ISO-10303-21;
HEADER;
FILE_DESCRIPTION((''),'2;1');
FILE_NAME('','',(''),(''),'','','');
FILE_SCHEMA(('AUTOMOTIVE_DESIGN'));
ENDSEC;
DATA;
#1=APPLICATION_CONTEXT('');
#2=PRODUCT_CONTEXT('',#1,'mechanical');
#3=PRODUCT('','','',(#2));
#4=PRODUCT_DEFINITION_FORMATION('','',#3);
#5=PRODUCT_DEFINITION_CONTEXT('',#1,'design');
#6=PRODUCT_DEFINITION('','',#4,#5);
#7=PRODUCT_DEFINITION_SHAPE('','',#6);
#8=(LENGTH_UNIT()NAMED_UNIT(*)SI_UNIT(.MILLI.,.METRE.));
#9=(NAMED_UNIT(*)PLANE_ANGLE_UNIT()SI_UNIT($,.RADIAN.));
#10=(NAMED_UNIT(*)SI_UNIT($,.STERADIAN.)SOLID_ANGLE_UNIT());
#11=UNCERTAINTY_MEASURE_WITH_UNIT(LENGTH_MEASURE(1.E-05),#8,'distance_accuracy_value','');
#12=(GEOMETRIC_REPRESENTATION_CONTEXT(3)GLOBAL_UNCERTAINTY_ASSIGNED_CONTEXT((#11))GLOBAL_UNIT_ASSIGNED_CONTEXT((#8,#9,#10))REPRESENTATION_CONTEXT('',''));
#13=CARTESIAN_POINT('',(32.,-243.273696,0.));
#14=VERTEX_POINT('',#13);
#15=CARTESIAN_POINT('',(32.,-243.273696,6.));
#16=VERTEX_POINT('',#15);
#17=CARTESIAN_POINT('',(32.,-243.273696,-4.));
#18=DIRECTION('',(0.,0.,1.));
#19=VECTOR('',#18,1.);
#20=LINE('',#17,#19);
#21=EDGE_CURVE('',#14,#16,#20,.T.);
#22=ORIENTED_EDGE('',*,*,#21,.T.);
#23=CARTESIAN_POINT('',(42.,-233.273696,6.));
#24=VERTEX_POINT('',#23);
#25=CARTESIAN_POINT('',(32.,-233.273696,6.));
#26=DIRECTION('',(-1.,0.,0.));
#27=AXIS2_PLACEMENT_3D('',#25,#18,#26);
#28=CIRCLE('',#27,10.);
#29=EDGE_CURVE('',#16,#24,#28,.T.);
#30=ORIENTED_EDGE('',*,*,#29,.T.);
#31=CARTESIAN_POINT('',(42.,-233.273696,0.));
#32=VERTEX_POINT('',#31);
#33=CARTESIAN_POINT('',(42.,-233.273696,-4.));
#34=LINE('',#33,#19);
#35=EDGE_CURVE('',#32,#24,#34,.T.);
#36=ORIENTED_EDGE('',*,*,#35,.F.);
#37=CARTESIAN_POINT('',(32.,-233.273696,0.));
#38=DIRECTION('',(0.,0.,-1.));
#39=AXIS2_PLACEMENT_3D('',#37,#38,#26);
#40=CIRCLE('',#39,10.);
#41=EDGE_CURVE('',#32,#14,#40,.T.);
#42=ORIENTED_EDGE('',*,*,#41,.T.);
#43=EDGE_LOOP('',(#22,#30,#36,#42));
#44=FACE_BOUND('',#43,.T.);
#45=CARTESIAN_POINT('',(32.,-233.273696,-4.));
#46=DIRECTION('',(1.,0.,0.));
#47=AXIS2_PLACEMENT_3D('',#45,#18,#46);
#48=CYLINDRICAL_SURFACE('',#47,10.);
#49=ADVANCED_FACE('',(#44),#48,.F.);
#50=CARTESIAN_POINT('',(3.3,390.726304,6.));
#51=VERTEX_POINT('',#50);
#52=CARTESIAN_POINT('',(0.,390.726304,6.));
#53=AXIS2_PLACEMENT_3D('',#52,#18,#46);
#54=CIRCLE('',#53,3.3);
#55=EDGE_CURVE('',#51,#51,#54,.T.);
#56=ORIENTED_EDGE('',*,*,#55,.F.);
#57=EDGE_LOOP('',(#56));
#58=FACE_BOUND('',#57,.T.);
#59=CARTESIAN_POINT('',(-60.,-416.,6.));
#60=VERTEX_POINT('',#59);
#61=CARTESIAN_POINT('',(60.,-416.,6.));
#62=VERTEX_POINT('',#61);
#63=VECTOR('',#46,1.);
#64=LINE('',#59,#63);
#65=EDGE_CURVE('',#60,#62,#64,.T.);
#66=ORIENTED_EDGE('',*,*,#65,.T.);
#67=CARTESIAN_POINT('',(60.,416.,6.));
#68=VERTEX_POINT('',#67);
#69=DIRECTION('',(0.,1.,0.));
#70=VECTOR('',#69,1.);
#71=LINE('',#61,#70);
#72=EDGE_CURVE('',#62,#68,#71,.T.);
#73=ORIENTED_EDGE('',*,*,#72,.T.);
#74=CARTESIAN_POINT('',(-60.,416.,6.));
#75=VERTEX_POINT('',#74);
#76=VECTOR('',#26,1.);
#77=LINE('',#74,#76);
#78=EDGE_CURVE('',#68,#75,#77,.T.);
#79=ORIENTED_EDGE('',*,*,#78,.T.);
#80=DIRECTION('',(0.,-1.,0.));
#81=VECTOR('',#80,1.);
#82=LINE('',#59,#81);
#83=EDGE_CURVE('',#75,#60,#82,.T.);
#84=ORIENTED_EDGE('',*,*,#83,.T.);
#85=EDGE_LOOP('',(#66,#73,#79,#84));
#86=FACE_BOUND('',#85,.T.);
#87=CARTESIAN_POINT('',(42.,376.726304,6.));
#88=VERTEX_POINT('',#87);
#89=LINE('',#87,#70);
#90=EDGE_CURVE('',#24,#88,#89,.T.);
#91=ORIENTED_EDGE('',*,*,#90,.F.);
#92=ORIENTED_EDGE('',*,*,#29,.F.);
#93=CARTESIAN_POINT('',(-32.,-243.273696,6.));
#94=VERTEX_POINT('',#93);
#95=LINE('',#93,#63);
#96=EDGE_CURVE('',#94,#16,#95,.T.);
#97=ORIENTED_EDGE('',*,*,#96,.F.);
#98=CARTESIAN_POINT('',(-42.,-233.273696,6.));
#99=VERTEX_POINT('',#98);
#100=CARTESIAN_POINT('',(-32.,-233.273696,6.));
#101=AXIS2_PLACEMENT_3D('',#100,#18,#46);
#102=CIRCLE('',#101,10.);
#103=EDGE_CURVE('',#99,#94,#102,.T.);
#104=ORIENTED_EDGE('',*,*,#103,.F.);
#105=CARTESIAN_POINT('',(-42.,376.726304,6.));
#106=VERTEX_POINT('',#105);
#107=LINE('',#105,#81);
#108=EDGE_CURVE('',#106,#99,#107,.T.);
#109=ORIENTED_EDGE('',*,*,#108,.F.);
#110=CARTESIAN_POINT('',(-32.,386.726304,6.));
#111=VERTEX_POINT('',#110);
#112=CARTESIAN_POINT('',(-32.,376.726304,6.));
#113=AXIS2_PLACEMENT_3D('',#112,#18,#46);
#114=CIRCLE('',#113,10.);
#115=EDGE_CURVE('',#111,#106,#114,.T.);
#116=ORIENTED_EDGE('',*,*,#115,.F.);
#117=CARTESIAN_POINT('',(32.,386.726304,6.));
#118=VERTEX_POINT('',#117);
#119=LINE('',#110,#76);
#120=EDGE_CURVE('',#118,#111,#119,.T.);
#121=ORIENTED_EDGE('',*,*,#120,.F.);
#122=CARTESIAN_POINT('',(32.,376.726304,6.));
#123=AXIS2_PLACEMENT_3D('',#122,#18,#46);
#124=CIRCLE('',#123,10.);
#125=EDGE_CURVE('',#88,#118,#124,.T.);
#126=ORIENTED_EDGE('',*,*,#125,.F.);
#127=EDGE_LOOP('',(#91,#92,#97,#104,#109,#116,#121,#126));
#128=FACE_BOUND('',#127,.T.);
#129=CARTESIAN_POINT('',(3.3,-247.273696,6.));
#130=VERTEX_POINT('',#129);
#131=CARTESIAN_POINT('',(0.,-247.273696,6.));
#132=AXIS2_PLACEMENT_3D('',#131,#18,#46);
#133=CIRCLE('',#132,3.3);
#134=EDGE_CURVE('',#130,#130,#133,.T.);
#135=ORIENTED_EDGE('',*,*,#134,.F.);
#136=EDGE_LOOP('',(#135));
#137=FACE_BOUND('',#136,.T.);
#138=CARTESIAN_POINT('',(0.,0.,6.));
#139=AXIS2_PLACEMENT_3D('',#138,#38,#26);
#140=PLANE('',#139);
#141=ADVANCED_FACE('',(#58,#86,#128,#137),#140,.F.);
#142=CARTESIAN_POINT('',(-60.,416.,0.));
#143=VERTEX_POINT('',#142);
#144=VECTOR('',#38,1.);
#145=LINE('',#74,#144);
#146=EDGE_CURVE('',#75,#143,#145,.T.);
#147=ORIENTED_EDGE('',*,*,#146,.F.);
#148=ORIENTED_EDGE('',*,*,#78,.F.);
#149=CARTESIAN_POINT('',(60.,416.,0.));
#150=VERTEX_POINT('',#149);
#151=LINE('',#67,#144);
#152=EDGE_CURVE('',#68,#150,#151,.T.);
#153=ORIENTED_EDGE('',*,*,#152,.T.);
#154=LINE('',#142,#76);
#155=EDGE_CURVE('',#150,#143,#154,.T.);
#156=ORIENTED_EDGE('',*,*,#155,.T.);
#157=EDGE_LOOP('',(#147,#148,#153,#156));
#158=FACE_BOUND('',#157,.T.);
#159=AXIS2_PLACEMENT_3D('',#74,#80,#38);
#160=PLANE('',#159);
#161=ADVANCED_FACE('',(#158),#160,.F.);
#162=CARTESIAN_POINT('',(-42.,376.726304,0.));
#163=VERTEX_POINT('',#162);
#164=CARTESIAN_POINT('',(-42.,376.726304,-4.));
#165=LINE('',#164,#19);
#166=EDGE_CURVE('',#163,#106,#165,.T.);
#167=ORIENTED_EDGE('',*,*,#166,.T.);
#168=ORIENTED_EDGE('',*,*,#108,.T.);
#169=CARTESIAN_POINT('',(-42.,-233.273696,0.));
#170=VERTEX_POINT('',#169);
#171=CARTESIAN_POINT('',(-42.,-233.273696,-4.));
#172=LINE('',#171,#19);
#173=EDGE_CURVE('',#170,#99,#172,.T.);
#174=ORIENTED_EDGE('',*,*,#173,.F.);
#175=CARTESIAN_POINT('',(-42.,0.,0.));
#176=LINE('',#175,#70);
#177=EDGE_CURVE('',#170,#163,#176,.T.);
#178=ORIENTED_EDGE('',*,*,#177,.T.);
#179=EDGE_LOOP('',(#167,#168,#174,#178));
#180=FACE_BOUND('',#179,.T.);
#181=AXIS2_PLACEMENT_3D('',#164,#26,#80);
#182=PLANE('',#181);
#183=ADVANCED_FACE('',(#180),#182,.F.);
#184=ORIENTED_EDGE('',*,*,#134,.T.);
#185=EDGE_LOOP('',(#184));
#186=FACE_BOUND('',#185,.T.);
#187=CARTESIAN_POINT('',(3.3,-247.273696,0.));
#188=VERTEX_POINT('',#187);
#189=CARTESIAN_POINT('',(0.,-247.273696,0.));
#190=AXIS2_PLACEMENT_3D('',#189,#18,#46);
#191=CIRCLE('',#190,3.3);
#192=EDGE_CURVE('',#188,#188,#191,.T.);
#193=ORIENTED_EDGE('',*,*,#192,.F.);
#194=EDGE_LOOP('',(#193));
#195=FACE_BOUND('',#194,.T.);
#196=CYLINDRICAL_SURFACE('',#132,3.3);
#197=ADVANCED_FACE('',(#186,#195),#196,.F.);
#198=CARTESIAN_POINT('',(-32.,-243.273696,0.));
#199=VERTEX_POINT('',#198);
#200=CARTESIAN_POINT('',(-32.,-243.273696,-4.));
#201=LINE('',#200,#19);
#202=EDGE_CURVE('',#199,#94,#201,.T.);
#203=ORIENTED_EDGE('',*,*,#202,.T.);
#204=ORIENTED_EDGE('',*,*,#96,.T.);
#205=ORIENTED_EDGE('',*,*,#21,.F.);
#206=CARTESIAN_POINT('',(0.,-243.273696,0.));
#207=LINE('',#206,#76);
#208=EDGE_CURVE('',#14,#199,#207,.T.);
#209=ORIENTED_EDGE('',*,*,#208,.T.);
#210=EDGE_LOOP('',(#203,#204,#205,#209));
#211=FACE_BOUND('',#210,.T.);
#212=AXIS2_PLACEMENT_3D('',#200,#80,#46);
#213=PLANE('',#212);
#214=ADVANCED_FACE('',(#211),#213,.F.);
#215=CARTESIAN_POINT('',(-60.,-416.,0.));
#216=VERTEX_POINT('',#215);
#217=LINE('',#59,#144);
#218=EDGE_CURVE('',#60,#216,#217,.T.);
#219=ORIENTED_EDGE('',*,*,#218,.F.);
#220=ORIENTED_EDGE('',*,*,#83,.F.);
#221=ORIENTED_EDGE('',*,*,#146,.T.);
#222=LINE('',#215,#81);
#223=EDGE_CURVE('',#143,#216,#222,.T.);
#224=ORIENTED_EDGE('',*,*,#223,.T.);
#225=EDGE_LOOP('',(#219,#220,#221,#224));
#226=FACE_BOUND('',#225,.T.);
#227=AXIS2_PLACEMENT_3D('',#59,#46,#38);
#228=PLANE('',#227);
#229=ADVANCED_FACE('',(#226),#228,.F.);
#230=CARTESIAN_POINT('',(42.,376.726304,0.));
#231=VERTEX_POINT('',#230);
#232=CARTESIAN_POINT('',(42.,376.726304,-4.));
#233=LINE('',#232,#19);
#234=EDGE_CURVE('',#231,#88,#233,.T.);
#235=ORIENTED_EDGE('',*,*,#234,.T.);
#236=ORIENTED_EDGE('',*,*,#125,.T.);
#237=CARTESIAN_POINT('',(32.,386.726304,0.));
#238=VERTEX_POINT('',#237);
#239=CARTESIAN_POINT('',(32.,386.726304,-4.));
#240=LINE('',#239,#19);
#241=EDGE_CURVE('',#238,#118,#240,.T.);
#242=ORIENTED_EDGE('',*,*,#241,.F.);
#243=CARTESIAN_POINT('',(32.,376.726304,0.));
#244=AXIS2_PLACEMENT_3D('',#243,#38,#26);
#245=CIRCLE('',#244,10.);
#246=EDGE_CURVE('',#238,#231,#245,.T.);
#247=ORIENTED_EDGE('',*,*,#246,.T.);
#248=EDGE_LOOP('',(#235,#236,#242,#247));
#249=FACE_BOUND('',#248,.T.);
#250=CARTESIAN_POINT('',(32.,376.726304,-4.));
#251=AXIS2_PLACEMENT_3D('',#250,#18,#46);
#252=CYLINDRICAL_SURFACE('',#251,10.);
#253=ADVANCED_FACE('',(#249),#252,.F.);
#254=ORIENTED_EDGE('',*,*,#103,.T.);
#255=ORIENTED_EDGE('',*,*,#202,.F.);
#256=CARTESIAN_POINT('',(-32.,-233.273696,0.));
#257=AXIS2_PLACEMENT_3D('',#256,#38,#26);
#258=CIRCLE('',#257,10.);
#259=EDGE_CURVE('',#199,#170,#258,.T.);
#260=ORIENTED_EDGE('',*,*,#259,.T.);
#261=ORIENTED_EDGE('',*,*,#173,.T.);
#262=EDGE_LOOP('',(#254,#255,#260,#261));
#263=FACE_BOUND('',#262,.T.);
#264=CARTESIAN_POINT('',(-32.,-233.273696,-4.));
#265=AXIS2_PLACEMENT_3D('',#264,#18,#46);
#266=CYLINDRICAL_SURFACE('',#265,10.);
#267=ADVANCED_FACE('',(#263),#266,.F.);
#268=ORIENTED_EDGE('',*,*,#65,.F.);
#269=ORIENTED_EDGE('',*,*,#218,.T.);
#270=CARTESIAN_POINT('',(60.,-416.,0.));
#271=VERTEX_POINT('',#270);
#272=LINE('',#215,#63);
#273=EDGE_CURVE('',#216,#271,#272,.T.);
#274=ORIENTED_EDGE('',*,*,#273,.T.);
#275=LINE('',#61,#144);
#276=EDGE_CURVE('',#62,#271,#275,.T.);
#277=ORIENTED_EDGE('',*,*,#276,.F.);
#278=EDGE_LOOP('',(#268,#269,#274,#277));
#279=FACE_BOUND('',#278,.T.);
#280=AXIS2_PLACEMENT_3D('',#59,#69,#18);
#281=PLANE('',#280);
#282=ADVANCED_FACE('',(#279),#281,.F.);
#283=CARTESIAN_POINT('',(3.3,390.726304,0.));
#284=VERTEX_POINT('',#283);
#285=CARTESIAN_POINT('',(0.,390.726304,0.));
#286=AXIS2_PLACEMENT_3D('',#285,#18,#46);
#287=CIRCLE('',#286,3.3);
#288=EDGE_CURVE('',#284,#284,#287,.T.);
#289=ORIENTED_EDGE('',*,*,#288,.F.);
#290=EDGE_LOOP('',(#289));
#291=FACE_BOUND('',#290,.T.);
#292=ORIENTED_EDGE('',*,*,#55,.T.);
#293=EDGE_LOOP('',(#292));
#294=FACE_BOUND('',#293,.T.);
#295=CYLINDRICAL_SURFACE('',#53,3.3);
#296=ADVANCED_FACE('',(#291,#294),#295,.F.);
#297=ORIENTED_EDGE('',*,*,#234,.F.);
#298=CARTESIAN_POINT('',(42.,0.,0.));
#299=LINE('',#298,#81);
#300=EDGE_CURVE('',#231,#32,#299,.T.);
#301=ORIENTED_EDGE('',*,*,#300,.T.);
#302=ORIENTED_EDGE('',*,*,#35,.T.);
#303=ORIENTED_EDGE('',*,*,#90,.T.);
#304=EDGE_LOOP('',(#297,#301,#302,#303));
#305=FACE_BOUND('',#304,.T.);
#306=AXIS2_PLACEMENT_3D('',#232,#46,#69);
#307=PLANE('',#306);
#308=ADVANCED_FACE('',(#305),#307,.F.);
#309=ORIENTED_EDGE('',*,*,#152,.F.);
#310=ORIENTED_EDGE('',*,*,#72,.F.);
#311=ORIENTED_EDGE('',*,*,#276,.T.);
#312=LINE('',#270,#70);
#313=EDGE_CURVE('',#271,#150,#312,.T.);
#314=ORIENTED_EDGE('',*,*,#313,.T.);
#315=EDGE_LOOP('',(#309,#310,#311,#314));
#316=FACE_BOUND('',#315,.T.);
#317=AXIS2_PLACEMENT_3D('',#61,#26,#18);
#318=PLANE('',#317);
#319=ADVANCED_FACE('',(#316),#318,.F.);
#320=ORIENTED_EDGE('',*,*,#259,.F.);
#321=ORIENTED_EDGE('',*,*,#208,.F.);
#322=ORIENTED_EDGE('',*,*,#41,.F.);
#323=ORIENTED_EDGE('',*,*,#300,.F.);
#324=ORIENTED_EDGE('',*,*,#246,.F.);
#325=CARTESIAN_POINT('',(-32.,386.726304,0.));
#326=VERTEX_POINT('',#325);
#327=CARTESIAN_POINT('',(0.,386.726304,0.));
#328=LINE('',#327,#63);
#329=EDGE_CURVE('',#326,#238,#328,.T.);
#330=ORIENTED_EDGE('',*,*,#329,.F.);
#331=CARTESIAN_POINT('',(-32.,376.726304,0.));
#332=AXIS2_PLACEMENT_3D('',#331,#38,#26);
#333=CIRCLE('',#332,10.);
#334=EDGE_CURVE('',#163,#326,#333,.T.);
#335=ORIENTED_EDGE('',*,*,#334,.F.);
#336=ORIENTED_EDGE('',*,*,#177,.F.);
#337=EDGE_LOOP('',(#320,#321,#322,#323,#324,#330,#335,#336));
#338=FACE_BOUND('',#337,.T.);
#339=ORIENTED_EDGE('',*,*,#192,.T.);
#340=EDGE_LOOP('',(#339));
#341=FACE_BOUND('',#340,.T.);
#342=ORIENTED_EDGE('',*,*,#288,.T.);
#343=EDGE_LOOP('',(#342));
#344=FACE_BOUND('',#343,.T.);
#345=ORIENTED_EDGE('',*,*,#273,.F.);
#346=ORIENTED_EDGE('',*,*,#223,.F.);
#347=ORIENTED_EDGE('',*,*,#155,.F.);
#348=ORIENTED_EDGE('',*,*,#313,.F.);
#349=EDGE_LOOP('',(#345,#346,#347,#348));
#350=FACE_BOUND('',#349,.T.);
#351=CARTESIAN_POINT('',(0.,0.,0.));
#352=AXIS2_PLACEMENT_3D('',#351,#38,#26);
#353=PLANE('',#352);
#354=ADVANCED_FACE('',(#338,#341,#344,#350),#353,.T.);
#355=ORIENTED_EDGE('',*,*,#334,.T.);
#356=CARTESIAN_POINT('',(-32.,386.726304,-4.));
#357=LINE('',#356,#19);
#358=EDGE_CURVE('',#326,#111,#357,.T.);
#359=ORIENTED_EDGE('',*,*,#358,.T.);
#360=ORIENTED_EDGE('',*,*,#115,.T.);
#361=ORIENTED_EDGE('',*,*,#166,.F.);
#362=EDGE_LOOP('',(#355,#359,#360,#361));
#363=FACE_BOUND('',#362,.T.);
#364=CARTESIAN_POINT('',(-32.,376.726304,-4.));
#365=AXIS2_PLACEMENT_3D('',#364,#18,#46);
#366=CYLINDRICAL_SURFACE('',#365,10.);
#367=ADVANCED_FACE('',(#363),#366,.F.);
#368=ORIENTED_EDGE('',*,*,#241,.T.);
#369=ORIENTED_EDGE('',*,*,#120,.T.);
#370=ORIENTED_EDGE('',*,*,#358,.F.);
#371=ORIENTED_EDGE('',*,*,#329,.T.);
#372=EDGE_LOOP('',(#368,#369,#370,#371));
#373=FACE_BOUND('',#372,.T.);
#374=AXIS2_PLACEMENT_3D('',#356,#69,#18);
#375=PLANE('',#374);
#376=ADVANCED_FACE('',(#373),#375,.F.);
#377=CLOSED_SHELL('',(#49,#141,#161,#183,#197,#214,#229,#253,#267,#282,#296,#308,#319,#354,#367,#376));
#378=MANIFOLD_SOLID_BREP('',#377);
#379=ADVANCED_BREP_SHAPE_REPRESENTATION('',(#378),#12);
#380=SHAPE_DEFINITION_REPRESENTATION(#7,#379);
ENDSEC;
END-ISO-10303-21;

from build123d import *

# Parameters (mm, degrees)
ESQUISSE1_W              = 120
ESQUISSE1_H              = 832
BOSS_EXTRU_1_DEPTH       = 6
CUT_EXTRUDE1_DEPTH       = 10
M6_CLEARANCE_HOLE1_D     = 6.6
M6_CLEARANCE_HOLE1_DEPTH = 6
M6_CLEARANCE_HOLE1_TIP   = 1.982840043


with BuildPart() as part:
    # Esquisse1 → Boss.-Extru.1 (new body)
    with BuildSketch(Plane.XY):
        Rectangle(ESQUISSE1_W, ESQUISSE1_H)
    extrude(amount=BOSS_EXTRU_1_DEPTH)

    # Sketch1 → Cut-Extrude1 (cut)
    with BuildSketch(Plane.XY.offset(6)):
        with BuildLine():
            Line((-42, 376.726304266), (-42, -233.273695734))
            ThreePointArc((-42, -233.273695734), (-39.071067812, -240.344763545), (-32, -243.273695734))
            Line((-32, -243.273695734), (32, -243.273695734))
            ThreePointArc((32, -243.273695734), (39.071067812, -240.344763545), (42, -233.273695734))
            Line((42, -233.273695734), (42, 376.726304266))
            ThreePointArc((42, 376.726304266), (39.071067812, 383.797372078), (32, 386.726304266))
            Line((32, 386.726304266), (-32, 386.726304266))
            ThreePointArc((-32, 386.726304266), (-39.071067812, 383.797372078), (-42, 376.726304266))
        make_face()
    extrude(amount=-CUT_EXTRUDE1_DEPTH, mode=Mode.SUBTRACT)

    # M6 Clearance Hole1
    with Locations(Plane.XY.offset(6)):
        with Locations((0, 390.726304266), (0, -247.273695734)):
            Hole(M6_CLEARANCE_HOLE1_D / 2, depth=M6_CLEARANCE_HOLE1_DEPTH)
            with Locations((0, 0, -(M6_CLEARANCE_HOLE1_DEPTH + M6_CLEARANCE_HOLE1_TIP / 2))):  # 118° drill point
                Cone(0, M6_CLEARANCE_HOLE1_D / 2, M6_CLEARANCE_HOLE1_TIP, mode=Mode.SUBTRACT)


solid = part.part
